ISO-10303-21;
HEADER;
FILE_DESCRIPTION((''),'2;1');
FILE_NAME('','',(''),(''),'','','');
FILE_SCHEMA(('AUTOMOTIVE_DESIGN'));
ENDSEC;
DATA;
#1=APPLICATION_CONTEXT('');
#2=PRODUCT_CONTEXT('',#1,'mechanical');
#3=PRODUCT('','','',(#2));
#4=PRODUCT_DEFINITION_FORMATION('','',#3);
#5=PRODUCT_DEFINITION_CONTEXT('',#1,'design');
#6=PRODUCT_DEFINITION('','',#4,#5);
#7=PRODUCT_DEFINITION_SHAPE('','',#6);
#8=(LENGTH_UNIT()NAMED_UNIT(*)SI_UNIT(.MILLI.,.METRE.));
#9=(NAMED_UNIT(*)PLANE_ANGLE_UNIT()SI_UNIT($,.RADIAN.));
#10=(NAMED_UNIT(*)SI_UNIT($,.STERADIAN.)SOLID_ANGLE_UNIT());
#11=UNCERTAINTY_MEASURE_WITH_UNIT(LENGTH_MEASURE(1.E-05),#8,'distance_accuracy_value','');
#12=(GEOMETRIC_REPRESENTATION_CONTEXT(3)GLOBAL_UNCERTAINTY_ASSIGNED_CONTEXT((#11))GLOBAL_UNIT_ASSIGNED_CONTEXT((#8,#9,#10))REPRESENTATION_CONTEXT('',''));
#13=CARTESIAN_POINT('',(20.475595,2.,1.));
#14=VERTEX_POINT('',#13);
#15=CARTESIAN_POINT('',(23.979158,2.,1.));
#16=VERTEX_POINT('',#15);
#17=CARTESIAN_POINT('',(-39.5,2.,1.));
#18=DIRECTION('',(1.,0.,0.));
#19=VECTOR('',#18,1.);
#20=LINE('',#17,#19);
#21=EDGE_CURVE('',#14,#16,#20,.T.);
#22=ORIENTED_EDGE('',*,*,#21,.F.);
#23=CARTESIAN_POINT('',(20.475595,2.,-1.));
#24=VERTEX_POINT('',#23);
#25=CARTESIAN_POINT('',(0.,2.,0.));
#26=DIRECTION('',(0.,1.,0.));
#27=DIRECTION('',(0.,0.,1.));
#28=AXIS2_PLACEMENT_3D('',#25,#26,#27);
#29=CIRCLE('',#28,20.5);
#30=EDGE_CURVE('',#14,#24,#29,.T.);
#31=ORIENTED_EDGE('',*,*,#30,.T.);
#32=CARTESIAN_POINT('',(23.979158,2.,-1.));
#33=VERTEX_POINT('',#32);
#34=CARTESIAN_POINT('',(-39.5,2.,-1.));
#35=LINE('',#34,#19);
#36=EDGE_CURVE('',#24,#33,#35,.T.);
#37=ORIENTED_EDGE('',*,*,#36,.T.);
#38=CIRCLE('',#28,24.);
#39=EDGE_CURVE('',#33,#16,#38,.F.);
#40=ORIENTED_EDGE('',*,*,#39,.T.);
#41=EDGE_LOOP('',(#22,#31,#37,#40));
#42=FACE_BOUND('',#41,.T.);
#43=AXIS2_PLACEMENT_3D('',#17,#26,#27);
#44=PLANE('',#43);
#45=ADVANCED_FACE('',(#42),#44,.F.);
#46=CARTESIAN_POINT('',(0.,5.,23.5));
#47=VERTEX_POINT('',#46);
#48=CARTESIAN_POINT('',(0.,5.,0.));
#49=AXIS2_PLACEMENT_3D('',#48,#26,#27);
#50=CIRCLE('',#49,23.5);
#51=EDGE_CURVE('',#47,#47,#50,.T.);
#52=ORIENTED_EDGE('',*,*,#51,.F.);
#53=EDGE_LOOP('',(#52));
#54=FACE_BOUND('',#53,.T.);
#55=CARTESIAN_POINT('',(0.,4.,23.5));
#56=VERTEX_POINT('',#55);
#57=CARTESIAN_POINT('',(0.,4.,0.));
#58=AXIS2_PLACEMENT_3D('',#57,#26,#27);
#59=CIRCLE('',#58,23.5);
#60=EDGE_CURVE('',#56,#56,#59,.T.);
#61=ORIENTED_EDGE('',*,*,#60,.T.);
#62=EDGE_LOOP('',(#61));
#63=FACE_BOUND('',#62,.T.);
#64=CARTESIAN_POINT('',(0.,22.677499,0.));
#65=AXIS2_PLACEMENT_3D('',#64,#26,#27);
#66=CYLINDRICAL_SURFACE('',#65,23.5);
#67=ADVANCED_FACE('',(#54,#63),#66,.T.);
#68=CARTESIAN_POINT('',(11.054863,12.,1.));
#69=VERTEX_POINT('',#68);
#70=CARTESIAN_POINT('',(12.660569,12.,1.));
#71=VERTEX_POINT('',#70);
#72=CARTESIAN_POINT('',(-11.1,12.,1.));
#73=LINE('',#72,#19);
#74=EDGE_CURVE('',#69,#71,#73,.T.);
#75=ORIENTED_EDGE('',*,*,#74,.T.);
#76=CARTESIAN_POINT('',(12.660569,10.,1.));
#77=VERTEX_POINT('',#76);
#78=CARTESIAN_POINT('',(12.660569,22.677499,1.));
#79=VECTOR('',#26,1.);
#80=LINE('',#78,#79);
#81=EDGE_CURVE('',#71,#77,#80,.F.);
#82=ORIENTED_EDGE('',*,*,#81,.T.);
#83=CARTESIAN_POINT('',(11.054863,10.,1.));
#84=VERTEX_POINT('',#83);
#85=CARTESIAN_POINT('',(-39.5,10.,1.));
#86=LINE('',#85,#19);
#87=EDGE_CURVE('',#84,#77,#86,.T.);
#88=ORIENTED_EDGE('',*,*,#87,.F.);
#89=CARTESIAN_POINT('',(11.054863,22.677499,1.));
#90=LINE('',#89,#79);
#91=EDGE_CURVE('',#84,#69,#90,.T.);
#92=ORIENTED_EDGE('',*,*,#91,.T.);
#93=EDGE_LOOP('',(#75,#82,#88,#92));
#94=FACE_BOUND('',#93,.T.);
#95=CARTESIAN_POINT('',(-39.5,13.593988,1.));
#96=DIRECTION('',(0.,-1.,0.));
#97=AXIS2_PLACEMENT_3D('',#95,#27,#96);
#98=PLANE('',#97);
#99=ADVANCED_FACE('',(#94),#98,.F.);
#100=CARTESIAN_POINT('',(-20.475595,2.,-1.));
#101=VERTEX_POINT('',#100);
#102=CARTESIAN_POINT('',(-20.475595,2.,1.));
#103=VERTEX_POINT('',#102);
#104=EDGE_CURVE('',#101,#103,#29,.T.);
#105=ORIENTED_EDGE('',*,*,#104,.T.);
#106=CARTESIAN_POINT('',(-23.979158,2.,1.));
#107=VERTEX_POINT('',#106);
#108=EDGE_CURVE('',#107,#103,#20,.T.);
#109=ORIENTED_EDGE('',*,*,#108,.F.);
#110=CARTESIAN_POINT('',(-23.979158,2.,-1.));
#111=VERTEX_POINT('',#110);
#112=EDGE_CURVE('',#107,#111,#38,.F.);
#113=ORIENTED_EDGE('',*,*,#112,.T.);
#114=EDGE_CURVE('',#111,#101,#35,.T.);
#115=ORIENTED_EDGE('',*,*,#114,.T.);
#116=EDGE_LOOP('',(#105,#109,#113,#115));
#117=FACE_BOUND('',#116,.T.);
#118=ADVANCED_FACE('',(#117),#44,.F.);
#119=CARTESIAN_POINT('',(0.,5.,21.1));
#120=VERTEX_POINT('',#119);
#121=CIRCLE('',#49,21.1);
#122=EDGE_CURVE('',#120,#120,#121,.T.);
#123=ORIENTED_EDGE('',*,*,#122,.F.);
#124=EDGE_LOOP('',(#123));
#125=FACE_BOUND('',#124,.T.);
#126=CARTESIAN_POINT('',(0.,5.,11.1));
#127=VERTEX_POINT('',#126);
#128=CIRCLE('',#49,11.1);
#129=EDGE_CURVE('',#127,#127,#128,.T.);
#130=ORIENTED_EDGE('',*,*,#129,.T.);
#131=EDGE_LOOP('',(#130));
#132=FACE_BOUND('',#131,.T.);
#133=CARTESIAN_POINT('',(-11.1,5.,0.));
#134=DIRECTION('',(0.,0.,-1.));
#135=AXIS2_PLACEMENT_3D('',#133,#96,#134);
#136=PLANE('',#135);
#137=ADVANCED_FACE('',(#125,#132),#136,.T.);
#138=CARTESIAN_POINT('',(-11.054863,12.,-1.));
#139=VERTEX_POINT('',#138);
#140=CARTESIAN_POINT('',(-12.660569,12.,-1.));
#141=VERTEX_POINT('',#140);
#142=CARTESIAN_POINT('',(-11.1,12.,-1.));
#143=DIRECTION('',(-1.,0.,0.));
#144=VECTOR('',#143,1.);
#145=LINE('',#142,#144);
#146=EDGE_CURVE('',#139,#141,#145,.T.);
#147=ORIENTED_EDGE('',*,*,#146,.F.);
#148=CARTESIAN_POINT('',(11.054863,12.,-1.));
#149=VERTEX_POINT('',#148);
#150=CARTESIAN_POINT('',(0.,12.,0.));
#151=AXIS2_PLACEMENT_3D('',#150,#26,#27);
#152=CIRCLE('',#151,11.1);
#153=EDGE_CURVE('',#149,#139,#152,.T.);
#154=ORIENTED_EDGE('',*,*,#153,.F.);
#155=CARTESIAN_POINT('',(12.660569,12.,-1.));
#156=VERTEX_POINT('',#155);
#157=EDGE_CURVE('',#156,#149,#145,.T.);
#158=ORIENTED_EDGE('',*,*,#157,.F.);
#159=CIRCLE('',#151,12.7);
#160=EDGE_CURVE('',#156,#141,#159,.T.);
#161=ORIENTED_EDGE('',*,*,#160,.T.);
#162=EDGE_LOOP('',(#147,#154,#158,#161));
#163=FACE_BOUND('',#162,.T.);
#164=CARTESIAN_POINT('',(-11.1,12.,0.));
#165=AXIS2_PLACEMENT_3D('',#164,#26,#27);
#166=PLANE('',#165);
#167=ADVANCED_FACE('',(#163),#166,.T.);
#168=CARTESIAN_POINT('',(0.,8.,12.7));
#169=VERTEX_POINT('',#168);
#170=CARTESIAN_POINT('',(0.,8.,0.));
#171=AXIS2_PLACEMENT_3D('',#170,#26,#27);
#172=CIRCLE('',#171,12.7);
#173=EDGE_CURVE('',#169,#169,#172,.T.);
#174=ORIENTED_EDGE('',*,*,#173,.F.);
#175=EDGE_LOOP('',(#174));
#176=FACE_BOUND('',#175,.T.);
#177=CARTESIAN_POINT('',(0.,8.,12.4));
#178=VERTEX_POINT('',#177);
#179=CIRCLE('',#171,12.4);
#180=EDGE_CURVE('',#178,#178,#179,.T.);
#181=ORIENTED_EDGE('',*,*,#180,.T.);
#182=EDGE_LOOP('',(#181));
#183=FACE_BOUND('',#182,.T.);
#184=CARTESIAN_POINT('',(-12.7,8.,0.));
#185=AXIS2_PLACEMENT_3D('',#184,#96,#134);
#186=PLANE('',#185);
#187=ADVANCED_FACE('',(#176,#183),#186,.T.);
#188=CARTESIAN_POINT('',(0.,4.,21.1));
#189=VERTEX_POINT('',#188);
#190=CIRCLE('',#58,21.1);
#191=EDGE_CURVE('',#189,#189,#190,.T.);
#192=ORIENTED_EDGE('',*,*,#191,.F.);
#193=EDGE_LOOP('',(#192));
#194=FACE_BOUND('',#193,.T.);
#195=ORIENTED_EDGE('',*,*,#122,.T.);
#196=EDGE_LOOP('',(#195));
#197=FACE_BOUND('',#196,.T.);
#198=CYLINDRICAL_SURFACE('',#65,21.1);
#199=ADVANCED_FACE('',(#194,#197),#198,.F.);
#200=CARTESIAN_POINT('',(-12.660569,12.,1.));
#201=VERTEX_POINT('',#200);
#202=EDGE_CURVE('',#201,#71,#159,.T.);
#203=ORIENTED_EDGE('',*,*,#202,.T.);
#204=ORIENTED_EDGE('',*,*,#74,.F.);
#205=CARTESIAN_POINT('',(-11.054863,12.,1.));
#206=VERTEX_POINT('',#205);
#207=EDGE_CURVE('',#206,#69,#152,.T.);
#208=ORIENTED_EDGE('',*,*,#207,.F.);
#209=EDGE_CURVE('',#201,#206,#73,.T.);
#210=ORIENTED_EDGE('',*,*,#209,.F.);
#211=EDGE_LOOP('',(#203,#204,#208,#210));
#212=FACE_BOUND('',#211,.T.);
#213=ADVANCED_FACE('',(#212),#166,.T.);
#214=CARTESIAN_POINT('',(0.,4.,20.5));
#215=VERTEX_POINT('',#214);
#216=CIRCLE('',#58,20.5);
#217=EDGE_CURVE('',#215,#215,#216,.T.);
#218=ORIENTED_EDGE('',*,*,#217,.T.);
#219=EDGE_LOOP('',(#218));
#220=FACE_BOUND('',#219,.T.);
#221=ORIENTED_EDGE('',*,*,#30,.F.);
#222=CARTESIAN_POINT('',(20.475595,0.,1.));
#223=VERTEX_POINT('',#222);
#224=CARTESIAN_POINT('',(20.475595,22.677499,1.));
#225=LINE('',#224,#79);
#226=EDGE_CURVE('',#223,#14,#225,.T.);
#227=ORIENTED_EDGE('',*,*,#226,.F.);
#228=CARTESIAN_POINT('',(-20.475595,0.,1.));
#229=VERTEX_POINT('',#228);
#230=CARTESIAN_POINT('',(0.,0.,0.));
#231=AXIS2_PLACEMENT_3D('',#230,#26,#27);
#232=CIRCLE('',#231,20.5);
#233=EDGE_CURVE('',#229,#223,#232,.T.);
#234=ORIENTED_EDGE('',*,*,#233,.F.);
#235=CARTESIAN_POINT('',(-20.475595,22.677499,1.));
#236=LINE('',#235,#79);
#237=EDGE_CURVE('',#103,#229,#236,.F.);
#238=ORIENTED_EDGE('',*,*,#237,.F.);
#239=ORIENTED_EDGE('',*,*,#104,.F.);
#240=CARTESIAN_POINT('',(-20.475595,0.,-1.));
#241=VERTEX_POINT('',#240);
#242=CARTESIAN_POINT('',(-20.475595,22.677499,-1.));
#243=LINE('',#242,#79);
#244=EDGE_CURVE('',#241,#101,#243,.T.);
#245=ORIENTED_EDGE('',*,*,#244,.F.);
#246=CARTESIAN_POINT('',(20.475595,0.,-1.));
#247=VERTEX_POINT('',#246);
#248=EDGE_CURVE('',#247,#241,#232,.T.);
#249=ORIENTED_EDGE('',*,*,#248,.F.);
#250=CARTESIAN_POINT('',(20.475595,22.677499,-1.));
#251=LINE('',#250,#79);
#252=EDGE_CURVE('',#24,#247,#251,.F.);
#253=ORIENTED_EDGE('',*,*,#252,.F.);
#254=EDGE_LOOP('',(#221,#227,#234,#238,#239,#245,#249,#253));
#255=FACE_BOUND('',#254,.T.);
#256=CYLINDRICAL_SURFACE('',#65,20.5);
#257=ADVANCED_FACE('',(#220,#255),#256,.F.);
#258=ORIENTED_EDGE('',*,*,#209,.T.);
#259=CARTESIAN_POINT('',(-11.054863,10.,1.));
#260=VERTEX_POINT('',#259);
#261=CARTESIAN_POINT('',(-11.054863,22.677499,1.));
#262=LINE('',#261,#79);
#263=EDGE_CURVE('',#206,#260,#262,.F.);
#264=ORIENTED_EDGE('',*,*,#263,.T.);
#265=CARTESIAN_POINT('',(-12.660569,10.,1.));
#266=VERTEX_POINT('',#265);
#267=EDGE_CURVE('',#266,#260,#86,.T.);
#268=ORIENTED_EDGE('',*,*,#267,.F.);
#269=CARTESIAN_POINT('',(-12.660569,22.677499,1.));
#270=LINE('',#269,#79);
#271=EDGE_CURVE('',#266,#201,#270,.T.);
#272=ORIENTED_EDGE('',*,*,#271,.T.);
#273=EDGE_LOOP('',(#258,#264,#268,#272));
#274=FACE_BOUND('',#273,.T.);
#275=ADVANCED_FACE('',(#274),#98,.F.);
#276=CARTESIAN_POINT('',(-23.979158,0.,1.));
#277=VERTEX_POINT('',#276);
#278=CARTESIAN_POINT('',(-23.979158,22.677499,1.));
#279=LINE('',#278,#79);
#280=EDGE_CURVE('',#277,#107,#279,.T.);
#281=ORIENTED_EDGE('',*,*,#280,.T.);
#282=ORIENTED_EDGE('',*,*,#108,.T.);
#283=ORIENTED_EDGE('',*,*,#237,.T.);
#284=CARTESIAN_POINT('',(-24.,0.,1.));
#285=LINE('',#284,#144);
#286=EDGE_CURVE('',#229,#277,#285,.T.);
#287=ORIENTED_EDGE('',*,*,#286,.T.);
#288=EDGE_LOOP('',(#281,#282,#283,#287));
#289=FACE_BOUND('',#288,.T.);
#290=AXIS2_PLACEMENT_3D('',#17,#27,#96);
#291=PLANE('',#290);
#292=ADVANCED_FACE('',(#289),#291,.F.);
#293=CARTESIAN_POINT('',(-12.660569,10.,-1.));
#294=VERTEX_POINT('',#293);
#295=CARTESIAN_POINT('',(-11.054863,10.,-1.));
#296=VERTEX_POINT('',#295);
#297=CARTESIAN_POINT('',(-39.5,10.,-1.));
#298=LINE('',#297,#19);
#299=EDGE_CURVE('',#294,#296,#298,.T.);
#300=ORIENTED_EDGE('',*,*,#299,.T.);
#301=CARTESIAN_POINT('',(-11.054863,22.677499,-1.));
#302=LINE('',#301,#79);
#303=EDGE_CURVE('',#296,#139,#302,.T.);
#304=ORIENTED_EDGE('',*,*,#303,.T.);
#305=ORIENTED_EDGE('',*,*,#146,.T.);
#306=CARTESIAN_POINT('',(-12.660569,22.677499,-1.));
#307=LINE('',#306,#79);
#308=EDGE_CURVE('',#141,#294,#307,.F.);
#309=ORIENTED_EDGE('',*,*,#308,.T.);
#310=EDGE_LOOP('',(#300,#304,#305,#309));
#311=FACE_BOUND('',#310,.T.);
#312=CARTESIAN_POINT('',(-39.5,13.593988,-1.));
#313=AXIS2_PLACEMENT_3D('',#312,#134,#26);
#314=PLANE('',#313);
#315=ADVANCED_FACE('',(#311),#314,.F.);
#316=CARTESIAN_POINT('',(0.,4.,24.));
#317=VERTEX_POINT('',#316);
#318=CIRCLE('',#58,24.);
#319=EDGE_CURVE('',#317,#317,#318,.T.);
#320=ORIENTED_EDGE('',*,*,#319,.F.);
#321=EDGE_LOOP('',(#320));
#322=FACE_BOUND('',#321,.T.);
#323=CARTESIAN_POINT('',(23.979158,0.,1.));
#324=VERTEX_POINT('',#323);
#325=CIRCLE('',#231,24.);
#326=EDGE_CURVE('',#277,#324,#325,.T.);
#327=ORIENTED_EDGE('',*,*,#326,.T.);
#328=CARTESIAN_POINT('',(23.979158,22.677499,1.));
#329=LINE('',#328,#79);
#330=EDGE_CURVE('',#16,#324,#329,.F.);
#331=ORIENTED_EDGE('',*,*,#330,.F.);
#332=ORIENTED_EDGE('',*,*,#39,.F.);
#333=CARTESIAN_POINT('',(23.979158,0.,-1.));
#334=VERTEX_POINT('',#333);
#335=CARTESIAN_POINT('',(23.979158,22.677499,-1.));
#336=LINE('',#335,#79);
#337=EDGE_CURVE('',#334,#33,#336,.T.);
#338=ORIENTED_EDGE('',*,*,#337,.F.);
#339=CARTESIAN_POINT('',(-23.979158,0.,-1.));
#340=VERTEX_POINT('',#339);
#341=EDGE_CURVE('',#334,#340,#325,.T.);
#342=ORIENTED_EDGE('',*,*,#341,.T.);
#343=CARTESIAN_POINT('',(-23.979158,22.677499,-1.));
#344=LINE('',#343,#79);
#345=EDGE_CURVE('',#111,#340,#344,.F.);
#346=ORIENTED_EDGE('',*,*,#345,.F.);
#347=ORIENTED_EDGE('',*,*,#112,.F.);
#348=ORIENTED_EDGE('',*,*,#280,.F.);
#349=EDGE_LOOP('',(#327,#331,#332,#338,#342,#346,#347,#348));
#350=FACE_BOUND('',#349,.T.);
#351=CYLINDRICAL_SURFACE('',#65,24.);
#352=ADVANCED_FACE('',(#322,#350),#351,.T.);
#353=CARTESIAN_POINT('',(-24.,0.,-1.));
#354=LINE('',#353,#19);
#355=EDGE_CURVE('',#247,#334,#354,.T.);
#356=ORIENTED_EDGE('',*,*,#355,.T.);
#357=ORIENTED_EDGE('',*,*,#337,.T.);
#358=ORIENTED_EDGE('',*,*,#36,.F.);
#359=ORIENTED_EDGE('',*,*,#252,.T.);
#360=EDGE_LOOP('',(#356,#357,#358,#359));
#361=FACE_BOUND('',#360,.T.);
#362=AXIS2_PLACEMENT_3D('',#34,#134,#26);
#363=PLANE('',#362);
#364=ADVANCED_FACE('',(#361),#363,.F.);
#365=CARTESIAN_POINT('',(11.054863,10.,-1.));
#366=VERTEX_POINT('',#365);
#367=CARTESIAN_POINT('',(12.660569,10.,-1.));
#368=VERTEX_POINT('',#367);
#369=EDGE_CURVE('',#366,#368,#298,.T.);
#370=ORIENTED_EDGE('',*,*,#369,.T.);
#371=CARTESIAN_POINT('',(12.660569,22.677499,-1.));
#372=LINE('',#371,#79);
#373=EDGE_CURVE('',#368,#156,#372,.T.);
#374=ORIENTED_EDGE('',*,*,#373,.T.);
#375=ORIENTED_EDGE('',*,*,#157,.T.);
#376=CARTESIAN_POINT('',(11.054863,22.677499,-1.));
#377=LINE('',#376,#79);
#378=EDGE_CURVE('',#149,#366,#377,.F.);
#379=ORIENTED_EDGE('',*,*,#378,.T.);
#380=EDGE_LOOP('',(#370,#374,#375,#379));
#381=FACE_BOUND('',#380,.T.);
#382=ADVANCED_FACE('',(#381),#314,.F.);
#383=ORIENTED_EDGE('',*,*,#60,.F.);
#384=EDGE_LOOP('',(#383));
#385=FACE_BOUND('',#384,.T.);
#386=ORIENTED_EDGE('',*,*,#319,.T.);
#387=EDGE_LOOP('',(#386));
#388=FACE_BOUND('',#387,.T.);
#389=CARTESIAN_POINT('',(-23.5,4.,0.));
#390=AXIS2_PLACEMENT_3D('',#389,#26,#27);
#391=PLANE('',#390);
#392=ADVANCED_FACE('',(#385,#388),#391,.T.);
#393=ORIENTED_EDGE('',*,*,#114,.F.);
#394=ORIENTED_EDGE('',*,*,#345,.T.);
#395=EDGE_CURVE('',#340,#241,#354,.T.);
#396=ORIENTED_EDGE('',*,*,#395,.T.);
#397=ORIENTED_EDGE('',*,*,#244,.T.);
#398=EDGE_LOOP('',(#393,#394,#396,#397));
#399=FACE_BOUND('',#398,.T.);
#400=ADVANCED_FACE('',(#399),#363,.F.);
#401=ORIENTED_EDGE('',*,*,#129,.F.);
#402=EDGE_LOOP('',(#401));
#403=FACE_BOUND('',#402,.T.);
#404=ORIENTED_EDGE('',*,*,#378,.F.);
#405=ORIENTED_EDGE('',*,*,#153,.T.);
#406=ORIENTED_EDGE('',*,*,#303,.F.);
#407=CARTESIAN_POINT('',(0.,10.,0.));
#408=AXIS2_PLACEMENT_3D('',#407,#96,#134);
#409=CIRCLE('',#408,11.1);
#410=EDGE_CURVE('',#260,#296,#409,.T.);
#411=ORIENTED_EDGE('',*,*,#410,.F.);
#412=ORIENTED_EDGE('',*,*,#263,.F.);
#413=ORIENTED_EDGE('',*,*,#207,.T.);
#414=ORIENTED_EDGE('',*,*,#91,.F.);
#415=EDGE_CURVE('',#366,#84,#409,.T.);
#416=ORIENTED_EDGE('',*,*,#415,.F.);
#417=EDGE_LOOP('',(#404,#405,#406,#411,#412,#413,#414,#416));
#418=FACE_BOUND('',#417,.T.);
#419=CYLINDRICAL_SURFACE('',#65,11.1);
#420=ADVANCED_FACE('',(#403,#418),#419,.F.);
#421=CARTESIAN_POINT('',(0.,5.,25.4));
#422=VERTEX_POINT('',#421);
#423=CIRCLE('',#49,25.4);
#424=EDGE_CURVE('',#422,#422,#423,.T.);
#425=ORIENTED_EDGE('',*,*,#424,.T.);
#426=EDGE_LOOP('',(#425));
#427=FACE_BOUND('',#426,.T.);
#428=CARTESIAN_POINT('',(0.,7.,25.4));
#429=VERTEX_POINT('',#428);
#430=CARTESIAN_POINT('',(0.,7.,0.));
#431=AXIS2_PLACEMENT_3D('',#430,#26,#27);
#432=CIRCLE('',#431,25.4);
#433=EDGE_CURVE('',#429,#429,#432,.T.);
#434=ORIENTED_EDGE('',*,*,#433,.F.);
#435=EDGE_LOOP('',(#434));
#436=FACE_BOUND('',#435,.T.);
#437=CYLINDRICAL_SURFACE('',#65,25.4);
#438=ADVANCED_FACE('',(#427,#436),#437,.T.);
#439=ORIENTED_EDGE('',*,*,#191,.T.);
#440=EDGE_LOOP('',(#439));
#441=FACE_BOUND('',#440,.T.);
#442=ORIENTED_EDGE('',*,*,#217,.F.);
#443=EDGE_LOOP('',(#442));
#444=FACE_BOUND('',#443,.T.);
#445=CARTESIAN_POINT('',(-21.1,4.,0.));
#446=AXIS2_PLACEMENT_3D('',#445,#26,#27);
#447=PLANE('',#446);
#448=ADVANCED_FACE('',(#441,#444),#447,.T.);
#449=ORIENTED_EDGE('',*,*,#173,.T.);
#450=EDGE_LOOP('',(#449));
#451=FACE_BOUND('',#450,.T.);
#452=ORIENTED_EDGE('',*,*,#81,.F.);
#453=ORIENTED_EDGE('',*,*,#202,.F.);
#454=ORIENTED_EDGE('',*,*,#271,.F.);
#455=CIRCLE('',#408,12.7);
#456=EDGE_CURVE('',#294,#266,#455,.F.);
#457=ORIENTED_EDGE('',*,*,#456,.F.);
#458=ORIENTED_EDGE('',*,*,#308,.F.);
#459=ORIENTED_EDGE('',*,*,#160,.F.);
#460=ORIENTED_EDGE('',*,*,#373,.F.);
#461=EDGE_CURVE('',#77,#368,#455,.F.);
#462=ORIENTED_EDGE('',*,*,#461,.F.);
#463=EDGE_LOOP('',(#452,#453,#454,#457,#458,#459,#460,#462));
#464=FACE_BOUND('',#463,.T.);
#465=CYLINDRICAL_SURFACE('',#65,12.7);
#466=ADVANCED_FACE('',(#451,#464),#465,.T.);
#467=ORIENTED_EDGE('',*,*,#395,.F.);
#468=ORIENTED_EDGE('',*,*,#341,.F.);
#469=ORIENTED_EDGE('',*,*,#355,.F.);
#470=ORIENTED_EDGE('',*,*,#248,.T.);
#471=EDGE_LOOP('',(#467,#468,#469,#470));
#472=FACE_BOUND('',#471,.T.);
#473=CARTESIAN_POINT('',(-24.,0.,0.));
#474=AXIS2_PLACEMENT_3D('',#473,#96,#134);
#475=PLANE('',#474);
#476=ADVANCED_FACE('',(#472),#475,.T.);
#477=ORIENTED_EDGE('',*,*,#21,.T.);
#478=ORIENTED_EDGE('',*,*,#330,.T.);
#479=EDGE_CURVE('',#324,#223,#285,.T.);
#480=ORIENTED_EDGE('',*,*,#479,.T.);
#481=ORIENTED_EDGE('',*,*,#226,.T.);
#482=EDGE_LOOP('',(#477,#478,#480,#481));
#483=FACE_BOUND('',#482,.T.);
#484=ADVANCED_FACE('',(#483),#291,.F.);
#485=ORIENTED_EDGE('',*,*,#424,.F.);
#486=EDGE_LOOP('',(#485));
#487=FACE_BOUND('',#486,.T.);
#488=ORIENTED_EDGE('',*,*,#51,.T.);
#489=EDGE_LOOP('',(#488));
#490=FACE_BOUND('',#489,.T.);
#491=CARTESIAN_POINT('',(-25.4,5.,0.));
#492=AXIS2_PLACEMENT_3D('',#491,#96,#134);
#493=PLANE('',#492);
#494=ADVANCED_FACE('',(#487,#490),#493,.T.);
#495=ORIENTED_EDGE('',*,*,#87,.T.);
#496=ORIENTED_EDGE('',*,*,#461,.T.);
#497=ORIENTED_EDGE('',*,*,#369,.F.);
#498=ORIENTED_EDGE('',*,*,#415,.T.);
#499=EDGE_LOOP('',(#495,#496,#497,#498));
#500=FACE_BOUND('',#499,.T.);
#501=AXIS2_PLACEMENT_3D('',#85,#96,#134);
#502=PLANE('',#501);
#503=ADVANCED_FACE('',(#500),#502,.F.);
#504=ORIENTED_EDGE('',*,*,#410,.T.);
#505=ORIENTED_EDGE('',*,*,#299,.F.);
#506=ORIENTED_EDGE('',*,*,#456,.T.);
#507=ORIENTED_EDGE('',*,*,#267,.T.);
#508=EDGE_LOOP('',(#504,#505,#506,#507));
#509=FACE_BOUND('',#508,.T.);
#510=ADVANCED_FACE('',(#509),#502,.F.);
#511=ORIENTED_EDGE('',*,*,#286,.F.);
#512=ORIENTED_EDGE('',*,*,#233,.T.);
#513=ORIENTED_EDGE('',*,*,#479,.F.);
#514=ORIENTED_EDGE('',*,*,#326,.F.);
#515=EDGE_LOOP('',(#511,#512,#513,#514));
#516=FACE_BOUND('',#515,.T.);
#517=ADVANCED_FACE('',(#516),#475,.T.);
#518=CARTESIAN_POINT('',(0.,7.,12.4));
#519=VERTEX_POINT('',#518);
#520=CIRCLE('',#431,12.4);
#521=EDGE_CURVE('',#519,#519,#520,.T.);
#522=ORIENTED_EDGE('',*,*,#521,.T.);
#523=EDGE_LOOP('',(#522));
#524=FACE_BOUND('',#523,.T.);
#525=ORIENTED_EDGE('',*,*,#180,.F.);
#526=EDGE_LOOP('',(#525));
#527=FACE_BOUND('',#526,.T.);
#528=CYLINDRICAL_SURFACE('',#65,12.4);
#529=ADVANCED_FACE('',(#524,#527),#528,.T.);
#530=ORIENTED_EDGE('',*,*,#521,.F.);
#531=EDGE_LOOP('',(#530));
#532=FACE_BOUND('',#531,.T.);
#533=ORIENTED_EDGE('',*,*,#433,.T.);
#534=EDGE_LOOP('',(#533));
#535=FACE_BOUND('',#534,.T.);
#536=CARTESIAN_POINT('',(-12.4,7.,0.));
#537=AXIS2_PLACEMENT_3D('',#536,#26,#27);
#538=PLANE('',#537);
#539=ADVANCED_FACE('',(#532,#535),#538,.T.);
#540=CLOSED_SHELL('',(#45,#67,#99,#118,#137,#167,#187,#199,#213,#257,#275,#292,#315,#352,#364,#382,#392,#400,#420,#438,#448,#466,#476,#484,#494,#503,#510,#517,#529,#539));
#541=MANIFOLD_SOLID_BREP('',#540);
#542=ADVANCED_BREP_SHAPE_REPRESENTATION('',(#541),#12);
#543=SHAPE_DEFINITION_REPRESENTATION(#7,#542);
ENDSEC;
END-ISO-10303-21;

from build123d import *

# Parameters (mm, degrees)
SKETCH_2_W          = 2
SKETCH_2_H          = 3.593987872
SKETCH_2_H_2        = 6.667892238
CUT_EXTRUDE_1_DEPTH = 39.5


with BuildPart() as part:
    # 草图1 → 旋转1 (revolve)
    with BuildSketch(Plane.XY, mode=Mode.PRIVATE) as revolve_1_sk:
        Polygon((-11.1, 12), (-12.7, 12), (-12.7, 8), (-12.4, 8), (-12.4, 7), (-25.4, 7), (-25.4, 5), (-23.5, 5), (-23.5, 4), (-24, 4), (-24, 0), (-20.5, 0), (-20.5, 4), (-21.1, 4), (-21.1, 5), (-11.1, 5), align=None)
    revolve(revolve_1_sk.sketch.rotate(Axis((0, 22.677499451, 0), (0, -1, 0)), 270), axis=Axis((0, 22.677499451, 0), (0, -1, 0)))  # turned: the seam where the file's is

    # 草图2 → 切除-拉伸1 (cut, symmetric)
    with BuildSketch(Plane(origin=(0, 0, 0), x_dir=(0, 0, -1), z_dir=(1, 0, 0))):
        with Locations((0, 11.796993936)):
            Rectangle(SKETCH_2_W, SKETCH_2_H)
        with Locations((0, -1.333946119)):
            Rectangle(SKETCH_2_W, SKETCH_2_H_2)
    extrude(amount=CUT_EXTRUDE_1_DEPTH, both=True, mode=Mode.SUBTRACT)


solid = part.part
